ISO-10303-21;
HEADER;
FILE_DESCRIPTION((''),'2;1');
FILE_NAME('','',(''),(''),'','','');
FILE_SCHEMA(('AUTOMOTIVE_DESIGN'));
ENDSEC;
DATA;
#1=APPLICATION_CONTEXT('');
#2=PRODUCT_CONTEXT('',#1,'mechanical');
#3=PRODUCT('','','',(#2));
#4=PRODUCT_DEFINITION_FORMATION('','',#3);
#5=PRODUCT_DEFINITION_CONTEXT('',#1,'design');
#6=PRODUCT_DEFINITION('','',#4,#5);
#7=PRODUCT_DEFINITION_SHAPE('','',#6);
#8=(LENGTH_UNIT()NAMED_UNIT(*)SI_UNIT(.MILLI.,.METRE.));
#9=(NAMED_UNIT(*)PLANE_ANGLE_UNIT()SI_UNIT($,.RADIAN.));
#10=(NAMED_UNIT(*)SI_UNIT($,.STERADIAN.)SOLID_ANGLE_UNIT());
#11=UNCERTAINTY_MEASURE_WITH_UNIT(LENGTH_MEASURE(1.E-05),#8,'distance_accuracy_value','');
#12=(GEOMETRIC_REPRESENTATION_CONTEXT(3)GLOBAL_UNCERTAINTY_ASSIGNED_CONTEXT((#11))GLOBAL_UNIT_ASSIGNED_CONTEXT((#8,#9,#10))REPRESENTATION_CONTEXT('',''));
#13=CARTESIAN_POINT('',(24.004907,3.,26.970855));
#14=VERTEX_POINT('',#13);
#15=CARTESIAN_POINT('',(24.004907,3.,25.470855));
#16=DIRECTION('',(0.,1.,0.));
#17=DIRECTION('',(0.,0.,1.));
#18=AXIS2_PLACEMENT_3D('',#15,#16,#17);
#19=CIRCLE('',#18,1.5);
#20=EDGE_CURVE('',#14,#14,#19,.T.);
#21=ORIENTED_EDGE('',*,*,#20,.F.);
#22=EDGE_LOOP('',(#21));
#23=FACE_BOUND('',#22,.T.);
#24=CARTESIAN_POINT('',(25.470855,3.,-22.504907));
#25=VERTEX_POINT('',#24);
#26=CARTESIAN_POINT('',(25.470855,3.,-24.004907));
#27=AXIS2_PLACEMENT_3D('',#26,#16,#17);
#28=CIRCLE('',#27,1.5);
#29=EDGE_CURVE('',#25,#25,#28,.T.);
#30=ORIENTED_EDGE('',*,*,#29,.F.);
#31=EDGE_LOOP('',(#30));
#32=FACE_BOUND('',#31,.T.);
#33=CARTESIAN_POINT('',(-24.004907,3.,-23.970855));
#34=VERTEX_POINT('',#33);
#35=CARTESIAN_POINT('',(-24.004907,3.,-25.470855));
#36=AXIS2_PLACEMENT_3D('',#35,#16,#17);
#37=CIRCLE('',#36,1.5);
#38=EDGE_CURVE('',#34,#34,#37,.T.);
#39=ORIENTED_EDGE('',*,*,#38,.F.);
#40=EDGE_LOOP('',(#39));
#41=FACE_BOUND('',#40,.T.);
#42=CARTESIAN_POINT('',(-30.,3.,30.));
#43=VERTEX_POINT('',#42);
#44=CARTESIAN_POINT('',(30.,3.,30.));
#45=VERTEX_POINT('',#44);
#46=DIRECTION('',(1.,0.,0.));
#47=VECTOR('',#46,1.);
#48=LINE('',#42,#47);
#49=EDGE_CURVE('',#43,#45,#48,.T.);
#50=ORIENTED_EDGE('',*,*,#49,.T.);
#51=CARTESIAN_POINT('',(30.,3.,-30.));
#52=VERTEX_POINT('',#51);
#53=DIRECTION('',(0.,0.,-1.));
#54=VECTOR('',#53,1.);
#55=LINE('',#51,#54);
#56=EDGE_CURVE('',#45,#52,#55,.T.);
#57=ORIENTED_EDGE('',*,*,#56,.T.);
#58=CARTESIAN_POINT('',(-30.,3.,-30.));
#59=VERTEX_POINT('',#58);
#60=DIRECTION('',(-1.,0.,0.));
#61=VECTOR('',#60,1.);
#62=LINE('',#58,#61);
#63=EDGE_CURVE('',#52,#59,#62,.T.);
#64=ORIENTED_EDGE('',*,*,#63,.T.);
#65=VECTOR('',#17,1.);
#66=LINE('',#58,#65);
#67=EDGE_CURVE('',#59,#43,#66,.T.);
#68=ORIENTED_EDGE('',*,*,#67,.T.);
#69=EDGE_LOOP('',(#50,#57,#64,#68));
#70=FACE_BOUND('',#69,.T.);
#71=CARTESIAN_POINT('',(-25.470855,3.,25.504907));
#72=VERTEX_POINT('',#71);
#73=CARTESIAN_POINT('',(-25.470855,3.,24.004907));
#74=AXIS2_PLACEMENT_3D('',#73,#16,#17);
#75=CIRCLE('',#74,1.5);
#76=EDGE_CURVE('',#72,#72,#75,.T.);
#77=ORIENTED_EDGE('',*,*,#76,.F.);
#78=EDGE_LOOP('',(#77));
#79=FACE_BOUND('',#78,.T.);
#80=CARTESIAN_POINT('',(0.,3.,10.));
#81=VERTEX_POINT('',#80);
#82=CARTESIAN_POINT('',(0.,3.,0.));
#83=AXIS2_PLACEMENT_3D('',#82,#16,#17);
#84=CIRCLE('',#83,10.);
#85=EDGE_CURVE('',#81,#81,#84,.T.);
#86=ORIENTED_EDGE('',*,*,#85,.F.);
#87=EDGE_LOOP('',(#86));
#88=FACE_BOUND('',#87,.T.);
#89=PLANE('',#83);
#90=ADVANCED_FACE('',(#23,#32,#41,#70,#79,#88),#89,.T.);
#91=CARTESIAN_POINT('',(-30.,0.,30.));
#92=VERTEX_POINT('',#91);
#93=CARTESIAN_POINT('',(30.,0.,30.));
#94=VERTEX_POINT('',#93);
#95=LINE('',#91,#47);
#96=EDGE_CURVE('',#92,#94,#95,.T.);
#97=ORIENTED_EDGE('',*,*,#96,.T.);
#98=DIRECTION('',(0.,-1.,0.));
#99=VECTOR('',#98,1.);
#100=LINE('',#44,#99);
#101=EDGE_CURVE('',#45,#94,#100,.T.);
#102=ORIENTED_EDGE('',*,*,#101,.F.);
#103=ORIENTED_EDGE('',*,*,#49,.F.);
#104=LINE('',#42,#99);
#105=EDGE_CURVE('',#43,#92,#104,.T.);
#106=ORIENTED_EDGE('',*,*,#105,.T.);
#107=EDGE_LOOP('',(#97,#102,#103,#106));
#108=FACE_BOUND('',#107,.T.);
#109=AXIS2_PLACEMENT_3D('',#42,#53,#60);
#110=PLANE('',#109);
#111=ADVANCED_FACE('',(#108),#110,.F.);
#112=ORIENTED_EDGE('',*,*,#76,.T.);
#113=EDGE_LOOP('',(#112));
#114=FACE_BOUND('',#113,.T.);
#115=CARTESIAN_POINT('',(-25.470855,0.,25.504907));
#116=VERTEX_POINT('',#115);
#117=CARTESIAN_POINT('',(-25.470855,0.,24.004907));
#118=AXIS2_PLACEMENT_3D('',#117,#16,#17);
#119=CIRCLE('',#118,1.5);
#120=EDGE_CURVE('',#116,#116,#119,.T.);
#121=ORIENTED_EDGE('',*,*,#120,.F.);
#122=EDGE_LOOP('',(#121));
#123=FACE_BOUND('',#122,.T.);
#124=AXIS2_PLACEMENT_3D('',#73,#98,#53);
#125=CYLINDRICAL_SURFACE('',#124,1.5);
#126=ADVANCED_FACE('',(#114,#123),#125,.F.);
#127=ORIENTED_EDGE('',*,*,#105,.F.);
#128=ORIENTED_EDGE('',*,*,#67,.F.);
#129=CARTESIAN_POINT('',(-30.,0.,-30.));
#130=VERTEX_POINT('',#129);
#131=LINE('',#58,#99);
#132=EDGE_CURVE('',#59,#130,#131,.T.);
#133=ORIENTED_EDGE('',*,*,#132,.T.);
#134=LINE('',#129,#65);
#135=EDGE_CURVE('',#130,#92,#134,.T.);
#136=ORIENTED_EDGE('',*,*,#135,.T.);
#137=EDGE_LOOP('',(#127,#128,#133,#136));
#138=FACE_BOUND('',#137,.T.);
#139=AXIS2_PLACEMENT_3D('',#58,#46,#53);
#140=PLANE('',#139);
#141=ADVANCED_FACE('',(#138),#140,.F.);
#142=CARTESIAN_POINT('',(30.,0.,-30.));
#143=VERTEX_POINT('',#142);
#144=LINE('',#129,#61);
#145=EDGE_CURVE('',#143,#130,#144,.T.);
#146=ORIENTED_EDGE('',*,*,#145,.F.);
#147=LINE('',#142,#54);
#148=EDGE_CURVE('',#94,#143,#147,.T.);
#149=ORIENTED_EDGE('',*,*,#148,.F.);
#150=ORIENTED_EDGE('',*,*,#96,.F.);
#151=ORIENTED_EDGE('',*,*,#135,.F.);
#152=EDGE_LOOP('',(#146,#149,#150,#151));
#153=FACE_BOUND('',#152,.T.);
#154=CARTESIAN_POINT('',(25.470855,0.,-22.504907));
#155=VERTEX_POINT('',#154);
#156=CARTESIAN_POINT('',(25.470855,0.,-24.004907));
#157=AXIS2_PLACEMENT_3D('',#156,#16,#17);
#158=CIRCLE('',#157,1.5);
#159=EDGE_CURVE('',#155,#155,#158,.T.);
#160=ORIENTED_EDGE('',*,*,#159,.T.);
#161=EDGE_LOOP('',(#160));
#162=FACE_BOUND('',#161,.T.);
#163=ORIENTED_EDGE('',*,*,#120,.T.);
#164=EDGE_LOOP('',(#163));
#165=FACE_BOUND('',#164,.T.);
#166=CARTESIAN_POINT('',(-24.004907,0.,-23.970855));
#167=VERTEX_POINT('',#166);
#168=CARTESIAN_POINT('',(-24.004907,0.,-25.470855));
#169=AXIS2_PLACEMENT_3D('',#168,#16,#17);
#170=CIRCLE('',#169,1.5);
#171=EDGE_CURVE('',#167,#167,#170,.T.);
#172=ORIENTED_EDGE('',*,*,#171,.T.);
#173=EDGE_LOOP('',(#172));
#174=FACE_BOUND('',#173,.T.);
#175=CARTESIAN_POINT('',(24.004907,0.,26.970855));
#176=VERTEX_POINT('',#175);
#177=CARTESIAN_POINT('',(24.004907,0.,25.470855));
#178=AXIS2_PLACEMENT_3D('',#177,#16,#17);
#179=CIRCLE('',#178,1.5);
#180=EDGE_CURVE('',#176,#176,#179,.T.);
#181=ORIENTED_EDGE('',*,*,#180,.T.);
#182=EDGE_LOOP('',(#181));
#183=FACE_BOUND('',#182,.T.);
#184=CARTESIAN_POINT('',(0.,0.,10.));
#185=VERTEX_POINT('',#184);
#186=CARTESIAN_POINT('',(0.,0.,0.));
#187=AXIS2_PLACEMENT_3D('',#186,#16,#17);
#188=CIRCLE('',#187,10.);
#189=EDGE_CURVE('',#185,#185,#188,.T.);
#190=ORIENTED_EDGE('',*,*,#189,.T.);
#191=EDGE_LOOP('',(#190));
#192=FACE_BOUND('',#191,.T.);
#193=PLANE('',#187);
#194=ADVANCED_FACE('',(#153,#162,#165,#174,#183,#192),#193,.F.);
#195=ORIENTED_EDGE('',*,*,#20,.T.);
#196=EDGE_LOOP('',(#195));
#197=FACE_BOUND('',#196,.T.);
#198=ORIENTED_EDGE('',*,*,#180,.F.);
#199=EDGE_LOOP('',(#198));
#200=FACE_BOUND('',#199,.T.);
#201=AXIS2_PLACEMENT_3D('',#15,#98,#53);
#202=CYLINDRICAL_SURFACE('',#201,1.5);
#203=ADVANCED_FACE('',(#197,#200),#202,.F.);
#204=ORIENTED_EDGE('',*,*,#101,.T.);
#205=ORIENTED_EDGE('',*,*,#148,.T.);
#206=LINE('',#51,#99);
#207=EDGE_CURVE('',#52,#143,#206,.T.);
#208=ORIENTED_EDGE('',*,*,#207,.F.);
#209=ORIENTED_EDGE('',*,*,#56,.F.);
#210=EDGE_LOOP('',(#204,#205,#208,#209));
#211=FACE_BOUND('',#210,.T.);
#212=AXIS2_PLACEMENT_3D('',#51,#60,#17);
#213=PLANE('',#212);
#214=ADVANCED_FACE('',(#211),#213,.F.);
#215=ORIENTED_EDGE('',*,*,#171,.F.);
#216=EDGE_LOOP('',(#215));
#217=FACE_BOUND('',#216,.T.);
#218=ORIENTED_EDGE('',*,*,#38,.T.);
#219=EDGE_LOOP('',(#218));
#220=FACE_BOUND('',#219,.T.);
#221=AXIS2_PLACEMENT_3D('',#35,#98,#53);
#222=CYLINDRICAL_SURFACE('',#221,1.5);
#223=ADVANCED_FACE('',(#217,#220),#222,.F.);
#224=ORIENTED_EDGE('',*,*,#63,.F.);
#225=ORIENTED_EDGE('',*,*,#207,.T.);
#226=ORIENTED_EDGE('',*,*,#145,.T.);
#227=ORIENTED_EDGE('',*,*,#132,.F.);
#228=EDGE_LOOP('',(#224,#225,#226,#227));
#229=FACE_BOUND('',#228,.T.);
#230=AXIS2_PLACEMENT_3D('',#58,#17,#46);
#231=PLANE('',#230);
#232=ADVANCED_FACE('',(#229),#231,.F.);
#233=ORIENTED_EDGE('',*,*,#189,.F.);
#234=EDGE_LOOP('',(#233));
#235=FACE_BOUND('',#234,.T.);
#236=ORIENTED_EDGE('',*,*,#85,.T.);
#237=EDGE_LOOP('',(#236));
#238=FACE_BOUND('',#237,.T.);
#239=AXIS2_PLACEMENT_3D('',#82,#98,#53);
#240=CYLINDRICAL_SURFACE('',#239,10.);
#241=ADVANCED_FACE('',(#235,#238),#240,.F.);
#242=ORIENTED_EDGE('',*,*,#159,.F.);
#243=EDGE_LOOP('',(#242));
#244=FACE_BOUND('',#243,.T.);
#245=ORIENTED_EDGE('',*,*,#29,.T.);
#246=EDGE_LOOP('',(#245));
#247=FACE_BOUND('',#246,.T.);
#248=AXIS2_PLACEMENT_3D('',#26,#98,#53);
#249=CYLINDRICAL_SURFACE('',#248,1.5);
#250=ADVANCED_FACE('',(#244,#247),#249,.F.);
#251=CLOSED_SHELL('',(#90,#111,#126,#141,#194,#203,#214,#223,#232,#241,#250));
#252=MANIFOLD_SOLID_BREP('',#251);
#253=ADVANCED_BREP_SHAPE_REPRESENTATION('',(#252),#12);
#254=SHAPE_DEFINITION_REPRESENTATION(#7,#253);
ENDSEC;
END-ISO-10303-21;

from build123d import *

# Parameters (mm, degrees)
SKETCH_1_W      = 60
SKETCH_1_H      = 60
SKETCH_1_R      = 1.5
SKETCH_1_R_2    = 10
EXTRUDE_1_DEPTH = 3


with BuildPart() as part:
    # 草图1 → 凸台-拉伸1 (new body)
    with BuildSketch(Plane(origin=(0, 0, 0), x_dir=(1, 0, 0), z_dir=(0, 1, 0))):
        Rectangle(SKETCH_1_W, SKETCH_1_H)
        with Locations(Location((25.470855093, 24.004906599, 0), (0, 0, 270))):
            Circle(SKETCH_1_R, mode=Mode.SUBTRACT)
        with Locations(Location((0, 0, 0), (0, 0, 270))):
            Circle(SKETCH_1_R_2, mode=Mode.SUBTRACT)
        with Locations(Location((24.004906599, -25.470855093, 0), (0, 0, 270))):
            Circle(SKETCH_1_R, mode=Mode.SUBTRACT)
        with Locations(Location((-25.470855093, -24.004906599, 0), (0, 0, 270))):
            Circle(SKETCH_1_R, mode=Mode.SUBTRACT)
        with Locations(Location((-24.004906599, 25.470855093, 0), (0, 0, 270))):
            Circle(SKETCH_1_R, mode=Mode.SUBTRACT)
    extrude(amount=EXTRUDE_1_DEPTH)


solid = part.part
